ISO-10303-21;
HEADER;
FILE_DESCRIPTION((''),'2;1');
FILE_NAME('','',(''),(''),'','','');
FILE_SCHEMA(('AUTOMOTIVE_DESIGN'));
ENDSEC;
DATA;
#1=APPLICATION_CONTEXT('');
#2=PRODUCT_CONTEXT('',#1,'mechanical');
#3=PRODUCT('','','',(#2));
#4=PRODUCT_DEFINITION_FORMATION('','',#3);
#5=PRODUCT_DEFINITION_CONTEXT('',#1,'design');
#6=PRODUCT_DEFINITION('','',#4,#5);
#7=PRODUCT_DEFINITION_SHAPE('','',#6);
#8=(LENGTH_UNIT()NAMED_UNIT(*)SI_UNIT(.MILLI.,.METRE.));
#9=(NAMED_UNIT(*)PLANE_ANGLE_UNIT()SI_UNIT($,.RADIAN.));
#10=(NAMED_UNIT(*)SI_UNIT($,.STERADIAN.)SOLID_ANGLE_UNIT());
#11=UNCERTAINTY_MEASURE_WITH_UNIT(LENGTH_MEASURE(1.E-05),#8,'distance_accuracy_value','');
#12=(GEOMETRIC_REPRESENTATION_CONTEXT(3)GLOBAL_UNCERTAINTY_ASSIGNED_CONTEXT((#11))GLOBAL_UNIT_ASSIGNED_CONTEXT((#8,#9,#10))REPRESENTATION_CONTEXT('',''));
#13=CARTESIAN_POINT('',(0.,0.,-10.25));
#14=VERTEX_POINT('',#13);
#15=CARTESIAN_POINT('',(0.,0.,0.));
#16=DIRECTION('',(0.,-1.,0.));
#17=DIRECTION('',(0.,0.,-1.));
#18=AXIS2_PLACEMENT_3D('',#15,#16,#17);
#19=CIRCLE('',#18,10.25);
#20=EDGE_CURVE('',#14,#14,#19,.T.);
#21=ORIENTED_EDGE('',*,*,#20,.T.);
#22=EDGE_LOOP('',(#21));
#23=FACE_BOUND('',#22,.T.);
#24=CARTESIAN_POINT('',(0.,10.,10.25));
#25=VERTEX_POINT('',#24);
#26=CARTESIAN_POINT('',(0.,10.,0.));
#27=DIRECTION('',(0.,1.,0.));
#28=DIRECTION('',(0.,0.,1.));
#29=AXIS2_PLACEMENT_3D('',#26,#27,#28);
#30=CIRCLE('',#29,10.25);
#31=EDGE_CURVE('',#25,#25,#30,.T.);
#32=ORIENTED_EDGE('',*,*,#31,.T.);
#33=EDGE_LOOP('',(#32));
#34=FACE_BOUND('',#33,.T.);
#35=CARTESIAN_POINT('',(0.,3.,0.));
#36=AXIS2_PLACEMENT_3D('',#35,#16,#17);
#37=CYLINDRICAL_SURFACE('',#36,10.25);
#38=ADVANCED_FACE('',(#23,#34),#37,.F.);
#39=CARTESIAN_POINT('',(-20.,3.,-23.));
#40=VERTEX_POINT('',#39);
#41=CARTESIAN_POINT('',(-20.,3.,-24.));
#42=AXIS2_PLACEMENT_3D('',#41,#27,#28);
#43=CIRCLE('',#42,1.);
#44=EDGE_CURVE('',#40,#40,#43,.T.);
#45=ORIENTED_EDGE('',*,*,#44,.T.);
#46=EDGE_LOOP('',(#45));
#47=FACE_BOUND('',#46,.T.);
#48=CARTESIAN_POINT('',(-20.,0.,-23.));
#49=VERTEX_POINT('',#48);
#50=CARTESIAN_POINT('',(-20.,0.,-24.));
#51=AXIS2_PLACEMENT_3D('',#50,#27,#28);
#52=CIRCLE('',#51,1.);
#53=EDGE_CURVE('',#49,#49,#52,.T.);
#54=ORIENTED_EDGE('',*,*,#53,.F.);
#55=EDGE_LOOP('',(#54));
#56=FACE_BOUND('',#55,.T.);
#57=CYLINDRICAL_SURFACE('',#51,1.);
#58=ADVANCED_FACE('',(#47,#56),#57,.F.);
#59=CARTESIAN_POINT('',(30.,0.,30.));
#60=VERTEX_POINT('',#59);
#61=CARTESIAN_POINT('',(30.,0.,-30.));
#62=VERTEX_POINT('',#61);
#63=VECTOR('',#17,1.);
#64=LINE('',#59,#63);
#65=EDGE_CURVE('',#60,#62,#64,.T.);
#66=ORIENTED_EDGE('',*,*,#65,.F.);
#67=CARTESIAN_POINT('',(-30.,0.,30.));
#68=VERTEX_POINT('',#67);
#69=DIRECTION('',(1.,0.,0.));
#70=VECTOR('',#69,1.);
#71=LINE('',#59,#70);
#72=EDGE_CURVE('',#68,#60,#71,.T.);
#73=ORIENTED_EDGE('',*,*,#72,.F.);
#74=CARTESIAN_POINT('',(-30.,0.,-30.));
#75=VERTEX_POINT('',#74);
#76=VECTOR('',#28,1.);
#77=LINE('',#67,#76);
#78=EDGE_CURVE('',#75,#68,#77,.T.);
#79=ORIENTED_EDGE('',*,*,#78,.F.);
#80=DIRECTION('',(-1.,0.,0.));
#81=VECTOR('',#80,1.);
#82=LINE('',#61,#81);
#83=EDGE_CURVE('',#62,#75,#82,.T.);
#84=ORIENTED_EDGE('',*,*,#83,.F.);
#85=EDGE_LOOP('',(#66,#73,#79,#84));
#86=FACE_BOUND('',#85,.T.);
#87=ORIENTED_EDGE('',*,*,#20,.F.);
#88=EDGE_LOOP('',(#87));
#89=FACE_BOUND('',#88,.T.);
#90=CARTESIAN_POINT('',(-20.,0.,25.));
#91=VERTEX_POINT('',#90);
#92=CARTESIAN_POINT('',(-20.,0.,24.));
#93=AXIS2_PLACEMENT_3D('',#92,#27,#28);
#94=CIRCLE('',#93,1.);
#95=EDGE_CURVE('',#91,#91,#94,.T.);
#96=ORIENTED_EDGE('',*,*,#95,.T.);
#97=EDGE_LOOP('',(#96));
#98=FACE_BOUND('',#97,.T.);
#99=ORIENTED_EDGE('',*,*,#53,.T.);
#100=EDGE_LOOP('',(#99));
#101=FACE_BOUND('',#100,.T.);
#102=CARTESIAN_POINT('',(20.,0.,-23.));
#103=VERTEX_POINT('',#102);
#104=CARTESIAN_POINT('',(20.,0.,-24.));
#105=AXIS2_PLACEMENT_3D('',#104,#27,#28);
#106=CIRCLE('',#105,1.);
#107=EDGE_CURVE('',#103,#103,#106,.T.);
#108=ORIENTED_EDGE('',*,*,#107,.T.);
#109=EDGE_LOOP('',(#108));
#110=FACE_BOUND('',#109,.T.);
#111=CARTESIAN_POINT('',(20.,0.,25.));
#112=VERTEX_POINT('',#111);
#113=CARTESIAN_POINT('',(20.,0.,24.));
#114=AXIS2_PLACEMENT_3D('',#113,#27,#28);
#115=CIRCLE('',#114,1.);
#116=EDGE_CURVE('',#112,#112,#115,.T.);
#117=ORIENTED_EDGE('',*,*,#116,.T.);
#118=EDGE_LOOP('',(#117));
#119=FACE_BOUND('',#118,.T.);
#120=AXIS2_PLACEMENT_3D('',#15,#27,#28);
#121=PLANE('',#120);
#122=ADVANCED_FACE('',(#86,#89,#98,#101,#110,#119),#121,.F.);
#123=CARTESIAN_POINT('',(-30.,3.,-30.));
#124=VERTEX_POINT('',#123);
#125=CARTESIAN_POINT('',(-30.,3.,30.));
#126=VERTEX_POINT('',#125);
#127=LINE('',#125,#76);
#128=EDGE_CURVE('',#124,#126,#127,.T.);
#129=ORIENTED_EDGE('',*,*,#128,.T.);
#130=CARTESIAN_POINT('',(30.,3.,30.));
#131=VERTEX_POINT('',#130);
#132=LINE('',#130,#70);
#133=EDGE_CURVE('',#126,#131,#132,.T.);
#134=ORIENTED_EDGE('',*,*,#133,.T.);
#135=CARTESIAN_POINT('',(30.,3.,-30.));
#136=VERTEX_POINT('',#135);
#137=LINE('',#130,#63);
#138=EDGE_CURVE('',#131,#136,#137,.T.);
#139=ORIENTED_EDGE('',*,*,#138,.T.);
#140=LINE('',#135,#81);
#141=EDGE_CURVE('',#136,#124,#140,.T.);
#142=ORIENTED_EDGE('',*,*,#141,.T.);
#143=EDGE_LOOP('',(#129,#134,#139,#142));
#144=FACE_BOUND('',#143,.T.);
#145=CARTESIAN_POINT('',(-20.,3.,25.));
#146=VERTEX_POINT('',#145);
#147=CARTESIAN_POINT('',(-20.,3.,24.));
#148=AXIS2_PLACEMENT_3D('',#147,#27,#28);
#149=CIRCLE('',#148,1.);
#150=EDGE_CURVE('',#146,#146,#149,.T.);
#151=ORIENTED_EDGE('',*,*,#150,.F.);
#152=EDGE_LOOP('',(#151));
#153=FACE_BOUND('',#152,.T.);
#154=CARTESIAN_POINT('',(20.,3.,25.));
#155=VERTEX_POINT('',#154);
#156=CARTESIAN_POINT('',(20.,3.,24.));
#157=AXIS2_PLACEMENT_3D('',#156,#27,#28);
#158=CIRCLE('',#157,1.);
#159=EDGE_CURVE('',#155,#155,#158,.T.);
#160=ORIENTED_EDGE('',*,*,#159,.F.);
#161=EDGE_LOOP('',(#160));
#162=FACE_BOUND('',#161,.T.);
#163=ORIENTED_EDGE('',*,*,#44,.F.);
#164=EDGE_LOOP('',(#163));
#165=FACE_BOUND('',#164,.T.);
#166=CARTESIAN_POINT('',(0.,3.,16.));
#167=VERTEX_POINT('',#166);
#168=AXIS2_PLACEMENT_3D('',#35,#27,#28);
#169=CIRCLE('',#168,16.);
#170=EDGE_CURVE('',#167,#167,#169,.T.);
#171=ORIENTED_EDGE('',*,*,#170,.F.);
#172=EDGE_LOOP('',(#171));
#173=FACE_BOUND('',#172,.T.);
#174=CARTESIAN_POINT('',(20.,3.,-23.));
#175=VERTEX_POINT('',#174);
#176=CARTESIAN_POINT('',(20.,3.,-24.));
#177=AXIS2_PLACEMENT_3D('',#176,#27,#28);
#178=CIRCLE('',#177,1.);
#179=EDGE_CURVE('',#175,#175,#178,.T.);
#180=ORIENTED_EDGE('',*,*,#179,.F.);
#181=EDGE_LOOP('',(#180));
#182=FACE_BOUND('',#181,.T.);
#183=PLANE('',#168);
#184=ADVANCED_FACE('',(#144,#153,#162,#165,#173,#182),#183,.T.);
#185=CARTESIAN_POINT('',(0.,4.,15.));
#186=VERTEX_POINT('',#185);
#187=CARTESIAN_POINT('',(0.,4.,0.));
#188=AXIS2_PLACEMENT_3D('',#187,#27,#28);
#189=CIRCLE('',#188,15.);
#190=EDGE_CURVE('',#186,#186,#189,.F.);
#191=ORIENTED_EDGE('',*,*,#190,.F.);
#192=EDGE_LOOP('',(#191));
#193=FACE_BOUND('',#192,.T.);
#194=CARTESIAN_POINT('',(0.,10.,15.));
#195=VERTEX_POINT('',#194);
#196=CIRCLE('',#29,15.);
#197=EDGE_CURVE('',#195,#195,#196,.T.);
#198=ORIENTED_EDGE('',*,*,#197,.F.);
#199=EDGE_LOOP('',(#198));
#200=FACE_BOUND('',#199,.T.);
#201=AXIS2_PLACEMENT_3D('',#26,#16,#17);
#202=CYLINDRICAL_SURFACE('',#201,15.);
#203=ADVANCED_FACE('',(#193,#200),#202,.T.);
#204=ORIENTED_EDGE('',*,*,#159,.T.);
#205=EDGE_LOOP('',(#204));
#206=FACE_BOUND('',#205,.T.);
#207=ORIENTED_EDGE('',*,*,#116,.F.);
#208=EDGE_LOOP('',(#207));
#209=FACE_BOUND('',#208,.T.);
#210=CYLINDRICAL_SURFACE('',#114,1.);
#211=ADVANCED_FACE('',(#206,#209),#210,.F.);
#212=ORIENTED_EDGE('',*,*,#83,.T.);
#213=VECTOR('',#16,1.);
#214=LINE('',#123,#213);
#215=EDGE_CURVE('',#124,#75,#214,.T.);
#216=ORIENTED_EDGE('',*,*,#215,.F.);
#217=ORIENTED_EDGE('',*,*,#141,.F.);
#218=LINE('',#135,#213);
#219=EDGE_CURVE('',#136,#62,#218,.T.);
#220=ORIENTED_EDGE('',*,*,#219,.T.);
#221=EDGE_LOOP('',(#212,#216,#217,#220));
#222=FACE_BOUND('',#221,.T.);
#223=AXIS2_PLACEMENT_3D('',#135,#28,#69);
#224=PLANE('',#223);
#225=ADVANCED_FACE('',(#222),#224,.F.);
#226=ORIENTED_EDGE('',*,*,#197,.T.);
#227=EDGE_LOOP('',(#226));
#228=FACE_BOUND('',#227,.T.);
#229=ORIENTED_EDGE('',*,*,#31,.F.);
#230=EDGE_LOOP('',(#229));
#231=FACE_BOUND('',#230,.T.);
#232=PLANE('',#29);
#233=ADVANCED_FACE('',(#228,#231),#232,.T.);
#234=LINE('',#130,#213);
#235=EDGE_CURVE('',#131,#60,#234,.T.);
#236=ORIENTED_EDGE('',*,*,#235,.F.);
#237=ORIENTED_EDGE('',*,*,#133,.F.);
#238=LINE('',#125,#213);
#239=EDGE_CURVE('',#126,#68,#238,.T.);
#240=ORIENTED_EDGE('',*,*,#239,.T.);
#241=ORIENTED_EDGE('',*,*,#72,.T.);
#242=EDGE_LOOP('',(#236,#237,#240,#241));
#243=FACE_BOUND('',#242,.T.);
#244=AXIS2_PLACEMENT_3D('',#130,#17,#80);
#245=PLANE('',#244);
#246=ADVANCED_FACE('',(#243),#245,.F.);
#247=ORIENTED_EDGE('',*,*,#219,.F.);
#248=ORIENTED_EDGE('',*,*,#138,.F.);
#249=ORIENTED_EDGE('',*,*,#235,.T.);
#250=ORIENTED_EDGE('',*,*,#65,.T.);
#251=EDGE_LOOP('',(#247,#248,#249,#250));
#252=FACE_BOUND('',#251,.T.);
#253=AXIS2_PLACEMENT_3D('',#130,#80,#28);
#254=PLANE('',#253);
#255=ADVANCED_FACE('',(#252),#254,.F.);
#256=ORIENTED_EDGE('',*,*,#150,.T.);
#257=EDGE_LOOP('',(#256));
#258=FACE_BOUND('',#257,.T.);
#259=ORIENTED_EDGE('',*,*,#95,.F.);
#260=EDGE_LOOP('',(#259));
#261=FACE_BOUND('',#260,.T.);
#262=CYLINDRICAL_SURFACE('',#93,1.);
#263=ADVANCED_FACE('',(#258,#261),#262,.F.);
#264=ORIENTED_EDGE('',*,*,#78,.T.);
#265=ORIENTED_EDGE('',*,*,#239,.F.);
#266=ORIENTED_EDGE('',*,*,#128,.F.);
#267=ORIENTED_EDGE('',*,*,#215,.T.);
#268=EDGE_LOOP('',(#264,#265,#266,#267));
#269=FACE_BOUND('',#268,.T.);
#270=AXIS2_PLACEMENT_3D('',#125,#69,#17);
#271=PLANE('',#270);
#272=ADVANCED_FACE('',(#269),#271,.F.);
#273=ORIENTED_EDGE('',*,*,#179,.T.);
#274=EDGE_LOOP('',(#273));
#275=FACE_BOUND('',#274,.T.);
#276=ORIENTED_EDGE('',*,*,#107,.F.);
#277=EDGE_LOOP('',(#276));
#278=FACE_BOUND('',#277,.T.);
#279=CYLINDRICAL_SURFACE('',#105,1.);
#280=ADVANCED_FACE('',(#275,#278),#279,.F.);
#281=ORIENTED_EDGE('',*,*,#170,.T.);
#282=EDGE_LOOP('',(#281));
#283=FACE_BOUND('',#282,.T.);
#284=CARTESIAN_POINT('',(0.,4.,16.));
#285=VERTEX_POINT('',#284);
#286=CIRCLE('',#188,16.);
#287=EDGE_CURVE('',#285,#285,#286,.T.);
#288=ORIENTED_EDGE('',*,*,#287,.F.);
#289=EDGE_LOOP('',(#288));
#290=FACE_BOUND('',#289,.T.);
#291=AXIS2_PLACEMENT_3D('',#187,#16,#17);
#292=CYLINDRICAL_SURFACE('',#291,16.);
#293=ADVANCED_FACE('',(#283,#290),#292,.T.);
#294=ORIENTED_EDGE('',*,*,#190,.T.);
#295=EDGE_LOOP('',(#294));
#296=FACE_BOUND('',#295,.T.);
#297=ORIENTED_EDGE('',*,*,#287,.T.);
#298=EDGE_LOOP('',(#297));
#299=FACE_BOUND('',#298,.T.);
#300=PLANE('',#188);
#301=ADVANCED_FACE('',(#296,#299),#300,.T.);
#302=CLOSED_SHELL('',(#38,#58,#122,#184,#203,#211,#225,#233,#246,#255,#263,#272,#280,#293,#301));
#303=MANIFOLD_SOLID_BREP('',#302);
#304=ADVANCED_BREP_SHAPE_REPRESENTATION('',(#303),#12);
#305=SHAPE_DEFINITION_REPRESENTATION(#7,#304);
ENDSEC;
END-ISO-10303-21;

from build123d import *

# Parameters (mm, degrees)
SKETCH1_W           = 60
SKETCH1_H           = 60
BOSS_EXTRUDE1_DEPTH = 3
SKETCH3_R           = 1
CUT_EXTRUDE3_DEPTH  = 43.532340636
SKETCH5_R           = 10.25
CUT_EXTRUDE4_DEPTH  = 43.532340636
SKETCH6_R           = 16
SKETCH6_R_2         = 10.25
BOSS_EXTRUDE2_DEPTH = 1
SKETCH7_R           = 15
SKETCH7_R_2         = 10.25
BOSS_EXTRUDE3_DEPTH = 7


with BuildPart() as part:
    # Sketch1 → Boss-Extrude1 (new body)
    with BuildSketch(Plane(origin=(0, 0, 0), x_dir=(1, 0, 0), z_dir=(0, 1, 0))):
        Rectangle(SKETCH1_W, SKETCH1_H)
    extrude(amount=BOSS_EXTRUDE1_DEPTH)

    # Sketch3 → Cut-Extrude3 (cut, through all)
    with BuildSketch(Plane(origin=(0, 3, 0), x_dir=(1, 0, 0), z_dir=(0, 1, 0))):
        with Locations(Location((-20, 24, 0), (0, 0, 270))):
            Circle(SKETCH3_R)
        with Locations(Location((20, 24, 0), (0, 0, 270))):
            Circle(SKETCH3_R)
        with Locations(Location((-20, -24, 0), (0, 0, 270))):
            Circle(SKETCH3_R)
        with Locations(Location((20, -24, 0), (0, 0, 270))):
            Circle(SKETCH3_R)
    extrude(amount=-CUT_EXTRUDE3_DEPTH, mode=Mode.SUBTRACT)

    # Sketch5 → Cut-Extrude4 (cut, through all)
    with BuildSketch(Plane.XZ):
        with Locations(Location((0, 0, 0), (0, 0, 270))):
            Circle(SKETCH5_R)
    extrude(amount=-CUT_EXTRUDE4_DEPTH, mode=Mode.SUBTRACT)

    # Sketch6 → Boss-Extrude2 (add)
    with BuildSketch(Plane(origin=(0, 3, 0), x_dir=(1, 0, 0), z_dir=(0, 1, 0))):
        with Locations(Location((0, 0, 0), (0, 0, 270))):
            Circle(SKETCH6_R)
        with Locations(Location((0, 0, 0), (0, 0, 90))):
            Circle(SKETCH6_R_2, mode=Mode.SUBTRACT)
    extrude(amount=BOSS_EXTRUDE2_DEPTH)

    # Sketch7 → Boss-Extrude3 (add)
    with BuildSketch(Plane(origin=(0, 3, 0), x_dir=(1, 0, 0), z_dir=(0, 1, 0))):
        with Locations(Location((0, 0, 0), (0, 0, 270))):
            Circle(SKETCH7_R)
        with Locations(Location((0, 0, 0), (0, 0, 90))):
            Circle(SKETCH7_R_2, mode=Mode.SUBTRACT)
    extrude(amount=BOSS_EXTRUDE3_DEPTH)


solid = part.part
